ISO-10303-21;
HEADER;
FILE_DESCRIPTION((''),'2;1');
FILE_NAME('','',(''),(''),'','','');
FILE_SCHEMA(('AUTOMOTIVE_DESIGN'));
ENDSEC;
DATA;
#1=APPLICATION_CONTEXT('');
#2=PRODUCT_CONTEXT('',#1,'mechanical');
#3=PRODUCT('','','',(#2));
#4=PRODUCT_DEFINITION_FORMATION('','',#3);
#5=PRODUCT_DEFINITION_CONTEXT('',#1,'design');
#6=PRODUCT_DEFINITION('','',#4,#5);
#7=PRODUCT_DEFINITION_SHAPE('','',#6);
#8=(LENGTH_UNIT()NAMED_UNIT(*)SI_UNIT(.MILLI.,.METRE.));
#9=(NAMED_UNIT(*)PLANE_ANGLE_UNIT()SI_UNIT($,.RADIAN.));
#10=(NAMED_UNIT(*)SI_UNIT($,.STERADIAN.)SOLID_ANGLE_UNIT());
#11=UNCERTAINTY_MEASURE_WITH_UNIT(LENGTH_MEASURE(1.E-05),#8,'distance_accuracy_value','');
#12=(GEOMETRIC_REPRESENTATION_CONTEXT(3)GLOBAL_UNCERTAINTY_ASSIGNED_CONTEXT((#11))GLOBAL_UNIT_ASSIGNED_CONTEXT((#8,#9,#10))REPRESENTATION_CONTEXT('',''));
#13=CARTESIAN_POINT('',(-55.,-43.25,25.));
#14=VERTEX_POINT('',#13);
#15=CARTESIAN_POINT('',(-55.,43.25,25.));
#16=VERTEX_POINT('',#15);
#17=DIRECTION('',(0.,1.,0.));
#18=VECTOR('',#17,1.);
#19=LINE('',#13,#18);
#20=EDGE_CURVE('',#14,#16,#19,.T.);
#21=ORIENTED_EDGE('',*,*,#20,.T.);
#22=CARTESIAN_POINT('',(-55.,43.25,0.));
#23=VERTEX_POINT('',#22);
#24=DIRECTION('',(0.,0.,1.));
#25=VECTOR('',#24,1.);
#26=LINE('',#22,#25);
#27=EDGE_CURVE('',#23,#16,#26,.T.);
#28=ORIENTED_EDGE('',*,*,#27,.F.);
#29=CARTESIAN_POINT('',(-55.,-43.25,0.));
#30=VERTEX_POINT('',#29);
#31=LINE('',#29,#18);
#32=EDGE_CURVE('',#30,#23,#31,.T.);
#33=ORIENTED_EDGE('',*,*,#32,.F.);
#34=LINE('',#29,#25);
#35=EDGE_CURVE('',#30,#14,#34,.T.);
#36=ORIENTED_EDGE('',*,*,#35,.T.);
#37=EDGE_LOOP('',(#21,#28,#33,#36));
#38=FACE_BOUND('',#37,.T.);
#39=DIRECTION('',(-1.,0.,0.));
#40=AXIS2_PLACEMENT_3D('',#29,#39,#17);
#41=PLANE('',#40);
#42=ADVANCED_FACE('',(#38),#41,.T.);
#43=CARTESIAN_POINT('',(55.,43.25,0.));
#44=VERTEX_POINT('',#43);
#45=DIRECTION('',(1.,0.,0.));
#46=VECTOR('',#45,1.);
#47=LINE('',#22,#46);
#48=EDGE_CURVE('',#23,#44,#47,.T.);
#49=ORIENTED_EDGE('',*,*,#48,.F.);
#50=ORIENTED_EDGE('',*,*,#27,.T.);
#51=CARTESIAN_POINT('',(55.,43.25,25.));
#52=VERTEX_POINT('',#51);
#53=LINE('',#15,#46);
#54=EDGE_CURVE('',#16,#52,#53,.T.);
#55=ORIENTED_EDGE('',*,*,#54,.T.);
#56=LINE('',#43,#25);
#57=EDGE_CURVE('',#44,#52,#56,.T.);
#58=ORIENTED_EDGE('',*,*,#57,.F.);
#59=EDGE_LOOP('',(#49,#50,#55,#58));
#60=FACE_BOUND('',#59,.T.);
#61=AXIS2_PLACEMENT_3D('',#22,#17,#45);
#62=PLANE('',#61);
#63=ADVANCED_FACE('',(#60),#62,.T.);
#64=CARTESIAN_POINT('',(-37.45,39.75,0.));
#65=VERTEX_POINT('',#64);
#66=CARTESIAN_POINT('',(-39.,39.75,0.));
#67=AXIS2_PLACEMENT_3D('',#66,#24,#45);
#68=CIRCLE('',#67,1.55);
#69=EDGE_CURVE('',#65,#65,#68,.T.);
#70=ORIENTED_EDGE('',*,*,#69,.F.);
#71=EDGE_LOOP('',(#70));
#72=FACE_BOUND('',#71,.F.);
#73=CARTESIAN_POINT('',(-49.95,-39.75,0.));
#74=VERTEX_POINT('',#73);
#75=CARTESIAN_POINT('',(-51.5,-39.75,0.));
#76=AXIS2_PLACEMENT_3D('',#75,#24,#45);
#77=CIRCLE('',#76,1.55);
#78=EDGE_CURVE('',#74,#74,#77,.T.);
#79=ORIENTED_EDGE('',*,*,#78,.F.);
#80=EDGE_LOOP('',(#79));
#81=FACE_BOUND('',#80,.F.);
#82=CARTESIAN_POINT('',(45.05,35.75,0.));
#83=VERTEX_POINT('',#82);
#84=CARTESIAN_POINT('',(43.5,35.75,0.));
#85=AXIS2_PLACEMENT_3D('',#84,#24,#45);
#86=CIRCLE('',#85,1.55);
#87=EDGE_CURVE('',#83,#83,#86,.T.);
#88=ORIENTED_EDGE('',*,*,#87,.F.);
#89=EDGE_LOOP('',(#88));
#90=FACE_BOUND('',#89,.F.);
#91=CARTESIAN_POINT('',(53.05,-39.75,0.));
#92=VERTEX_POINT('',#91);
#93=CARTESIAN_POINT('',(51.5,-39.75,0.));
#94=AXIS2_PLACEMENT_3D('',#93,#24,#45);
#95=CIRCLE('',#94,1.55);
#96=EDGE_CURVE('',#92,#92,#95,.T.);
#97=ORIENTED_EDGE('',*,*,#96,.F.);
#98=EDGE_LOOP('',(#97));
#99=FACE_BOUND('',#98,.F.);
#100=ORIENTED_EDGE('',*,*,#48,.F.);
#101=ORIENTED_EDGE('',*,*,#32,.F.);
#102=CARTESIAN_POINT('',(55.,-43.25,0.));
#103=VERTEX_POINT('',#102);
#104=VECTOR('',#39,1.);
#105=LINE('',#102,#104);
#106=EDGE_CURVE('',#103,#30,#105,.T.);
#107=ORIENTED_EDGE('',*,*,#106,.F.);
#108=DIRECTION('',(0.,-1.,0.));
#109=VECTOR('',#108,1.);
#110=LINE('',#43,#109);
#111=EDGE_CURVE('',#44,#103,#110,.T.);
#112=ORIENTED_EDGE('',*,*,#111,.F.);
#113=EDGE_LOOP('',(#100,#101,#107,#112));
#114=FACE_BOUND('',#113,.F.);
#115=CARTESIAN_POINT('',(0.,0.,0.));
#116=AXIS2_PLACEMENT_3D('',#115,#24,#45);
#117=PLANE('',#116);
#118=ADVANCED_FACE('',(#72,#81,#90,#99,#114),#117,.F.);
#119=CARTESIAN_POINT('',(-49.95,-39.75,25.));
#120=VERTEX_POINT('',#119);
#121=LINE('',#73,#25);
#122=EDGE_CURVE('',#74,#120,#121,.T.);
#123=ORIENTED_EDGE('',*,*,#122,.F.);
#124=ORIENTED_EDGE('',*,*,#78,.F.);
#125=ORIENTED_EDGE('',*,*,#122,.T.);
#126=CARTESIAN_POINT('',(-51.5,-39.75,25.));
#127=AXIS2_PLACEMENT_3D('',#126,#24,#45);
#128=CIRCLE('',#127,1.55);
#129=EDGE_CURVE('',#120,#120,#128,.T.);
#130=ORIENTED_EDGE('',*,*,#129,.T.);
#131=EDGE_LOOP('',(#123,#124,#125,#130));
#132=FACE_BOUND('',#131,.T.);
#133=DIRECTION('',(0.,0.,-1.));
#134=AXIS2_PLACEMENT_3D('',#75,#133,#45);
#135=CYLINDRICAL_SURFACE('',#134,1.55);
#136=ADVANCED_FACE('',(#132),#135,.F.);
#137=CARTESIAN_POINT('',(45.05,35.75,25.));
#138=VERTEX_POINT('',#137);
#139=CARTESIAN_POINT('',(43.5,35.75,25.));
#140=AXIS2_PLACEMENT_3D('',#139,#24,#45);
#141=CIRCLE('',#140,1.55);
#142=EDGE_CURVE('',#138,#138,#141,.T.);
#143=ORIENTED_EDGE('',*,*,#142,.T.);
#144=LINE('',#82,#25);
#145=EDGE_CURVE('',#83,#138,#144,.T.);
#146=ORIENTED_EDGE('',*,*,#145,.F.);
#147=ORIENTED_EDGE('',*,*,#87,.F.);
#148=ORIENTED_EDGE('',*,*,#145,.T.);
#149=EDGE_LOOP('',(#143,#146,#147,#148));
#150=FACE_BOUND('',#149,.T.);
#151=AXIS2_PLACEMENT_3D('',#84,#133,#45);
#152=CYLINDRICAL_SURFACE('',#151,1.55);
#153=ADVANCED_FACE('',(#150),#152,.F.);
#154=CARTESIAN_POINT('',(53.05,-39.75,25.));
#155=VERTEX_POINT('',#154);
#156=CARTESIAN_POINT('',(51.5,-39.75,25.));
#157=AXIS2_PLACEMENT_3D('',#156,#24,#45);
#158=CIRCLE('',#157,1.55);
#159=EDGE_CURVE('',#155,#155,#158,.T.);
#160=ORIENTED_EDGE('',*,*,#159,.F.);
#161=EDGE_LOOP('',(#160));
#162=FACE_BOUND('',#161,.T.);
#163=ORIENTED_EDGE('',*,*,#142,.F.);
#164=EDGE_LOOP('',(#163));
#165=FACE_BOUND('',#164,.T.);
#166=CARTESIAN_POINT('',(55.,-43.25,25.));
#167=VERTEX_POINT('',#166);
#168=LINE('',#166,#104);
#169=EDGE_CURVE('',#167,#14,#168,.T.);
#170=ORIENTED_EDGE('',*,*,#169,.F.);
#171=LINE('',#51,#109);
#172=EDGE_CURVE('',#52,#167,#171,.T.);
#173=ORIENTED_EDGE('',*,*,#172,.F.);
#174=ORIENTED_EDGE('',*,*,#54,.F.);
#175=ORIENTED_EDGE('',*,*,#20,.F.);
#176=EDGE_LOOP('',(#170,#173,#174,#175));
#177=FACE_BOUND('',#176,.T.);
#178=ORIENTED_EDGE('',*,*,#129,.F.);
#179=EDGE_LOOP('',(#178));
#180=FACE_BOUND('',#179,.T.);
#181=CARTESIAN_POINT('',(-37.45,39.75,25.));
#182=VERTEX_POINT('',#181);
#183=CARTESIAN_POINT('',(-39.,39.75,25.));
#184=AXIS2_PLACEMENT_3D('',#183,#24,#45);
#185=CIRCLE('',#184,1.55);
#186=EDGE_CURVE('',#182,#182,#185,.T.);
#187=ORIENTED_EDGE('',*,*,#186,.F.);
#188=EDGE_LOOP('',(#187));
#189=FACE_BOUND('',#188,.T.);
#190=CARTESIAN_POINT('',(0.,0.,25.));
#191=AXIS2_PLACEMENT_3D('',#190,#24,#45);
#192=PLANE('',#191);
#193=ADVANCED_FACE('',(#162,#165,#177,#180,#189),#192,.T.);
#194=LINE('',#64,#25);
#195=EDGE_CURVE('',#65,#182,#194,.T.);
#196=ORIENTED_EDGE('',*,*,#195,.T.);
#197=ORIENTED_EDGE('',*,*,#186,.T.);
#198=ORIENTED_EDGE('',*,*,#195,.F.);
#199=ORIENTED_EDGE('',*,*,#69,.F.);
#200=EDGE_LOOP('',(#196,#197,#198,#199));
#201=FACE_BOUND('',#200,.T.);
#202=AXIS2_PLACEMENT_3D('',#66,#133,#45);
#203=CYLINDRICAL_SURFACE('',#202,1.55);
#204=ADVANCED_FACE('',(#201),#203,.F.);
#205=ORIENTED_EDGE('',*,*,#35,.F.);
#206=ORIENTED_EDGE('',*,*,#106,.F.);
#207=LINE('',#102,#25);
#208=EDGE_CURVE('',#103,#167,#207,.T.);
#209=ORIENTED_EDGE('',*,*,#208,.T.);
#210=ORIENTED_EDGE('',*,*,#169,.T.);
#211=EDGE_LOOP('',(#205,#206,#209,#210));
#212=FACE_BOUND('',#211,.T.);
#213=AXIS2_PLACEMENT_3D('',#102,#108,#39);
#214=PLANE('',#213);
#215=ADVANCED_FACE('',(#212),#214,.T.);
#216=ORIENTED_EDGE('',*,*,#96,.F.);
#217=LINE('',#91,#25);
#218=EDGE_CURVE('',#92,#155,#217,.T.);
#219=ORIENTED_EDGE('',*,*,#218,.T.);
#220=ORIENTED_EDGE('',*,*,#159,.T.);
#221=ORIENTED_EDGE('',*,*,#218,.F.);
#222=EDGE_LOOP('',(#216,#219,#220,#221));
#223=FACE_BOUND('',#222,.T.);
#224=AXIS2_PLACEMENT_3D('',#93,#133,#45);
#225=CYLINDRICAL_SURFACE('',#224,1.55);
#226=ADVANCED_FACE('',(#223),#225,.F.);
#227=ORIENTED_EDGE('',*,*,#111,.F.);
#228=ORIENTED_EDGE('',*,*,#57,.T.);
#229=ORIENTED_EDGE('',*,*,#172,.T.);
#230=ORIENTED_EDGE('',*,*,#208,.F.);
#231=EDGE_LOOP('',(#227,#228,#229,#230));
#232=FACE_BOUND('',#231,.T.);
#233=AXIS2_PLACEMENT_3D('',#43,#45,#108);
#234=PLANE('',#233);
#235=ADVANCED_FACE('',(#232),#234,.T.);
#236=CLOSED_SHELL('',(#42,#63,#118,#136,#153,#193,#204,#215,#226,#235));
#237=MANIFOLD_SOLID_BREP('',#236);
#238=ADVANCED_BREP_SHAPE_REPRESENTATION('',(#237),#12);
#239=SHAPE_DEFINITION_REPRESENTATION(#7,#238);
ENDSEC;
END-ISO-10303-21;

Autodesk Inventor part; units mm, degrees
ref_plane "YZ Plane" through (0, 0, 0) normal (1, 0, 0) x (0, 1, 0)
ref_plane "XZ Plane" through (0, 0, 0) normal (0, 1, 0) x (-1, 0, 0)
ref_plane "XY Plane" through (0, 0, 0) normal (0, 0, 1) x (1, 0, 0)
sketch "Sketch1" plane through (0, 0, 0) normal (0, 0, 1) x (1, 0, 0)
  line L0 (-55, 43.25) -> (55, 43.25)
  line L1 (55, 43.25) -> (55, -43.25)
  line L2 (55, -43.25) -> (-55, -43.25)
  line L3 (-55, -43.25) -> (-55, 43.25)
  circle A0 centre (-39, 39.75) radius 1.55
  circle A1 centre (-51.5, -39.75) radius 1.55
  circle A2 centre (43.5, 35.75) radius 1.55
  circle A3 centre (51.5, -39.75) radius 1.55
  point P0 (0, 0)
  point P1 (-55, 0)
  point P2 (0, 43.25)
  dimension "d0" = 110
  dimension "d1" = 86.5
  dimension "d2" = 16
  dimension "d3" = 83
  dimension "d4" = 3.5
  dimension "d5" = 3.5
  dimension "d6" = 98.5
  dimension "d7" = 79
  dimension "d8" = 106.5
  dimension "d9" = 3.5
  dimension "d10" = 3.1
  dimension "d11" = 3.1
  dimension "d12" = 3.1
  dimension "d13" = 3.1
extrude "Extrusion1" add sketch "Sketch1" along normal blind 25
properties part number "udoomountingholes"
